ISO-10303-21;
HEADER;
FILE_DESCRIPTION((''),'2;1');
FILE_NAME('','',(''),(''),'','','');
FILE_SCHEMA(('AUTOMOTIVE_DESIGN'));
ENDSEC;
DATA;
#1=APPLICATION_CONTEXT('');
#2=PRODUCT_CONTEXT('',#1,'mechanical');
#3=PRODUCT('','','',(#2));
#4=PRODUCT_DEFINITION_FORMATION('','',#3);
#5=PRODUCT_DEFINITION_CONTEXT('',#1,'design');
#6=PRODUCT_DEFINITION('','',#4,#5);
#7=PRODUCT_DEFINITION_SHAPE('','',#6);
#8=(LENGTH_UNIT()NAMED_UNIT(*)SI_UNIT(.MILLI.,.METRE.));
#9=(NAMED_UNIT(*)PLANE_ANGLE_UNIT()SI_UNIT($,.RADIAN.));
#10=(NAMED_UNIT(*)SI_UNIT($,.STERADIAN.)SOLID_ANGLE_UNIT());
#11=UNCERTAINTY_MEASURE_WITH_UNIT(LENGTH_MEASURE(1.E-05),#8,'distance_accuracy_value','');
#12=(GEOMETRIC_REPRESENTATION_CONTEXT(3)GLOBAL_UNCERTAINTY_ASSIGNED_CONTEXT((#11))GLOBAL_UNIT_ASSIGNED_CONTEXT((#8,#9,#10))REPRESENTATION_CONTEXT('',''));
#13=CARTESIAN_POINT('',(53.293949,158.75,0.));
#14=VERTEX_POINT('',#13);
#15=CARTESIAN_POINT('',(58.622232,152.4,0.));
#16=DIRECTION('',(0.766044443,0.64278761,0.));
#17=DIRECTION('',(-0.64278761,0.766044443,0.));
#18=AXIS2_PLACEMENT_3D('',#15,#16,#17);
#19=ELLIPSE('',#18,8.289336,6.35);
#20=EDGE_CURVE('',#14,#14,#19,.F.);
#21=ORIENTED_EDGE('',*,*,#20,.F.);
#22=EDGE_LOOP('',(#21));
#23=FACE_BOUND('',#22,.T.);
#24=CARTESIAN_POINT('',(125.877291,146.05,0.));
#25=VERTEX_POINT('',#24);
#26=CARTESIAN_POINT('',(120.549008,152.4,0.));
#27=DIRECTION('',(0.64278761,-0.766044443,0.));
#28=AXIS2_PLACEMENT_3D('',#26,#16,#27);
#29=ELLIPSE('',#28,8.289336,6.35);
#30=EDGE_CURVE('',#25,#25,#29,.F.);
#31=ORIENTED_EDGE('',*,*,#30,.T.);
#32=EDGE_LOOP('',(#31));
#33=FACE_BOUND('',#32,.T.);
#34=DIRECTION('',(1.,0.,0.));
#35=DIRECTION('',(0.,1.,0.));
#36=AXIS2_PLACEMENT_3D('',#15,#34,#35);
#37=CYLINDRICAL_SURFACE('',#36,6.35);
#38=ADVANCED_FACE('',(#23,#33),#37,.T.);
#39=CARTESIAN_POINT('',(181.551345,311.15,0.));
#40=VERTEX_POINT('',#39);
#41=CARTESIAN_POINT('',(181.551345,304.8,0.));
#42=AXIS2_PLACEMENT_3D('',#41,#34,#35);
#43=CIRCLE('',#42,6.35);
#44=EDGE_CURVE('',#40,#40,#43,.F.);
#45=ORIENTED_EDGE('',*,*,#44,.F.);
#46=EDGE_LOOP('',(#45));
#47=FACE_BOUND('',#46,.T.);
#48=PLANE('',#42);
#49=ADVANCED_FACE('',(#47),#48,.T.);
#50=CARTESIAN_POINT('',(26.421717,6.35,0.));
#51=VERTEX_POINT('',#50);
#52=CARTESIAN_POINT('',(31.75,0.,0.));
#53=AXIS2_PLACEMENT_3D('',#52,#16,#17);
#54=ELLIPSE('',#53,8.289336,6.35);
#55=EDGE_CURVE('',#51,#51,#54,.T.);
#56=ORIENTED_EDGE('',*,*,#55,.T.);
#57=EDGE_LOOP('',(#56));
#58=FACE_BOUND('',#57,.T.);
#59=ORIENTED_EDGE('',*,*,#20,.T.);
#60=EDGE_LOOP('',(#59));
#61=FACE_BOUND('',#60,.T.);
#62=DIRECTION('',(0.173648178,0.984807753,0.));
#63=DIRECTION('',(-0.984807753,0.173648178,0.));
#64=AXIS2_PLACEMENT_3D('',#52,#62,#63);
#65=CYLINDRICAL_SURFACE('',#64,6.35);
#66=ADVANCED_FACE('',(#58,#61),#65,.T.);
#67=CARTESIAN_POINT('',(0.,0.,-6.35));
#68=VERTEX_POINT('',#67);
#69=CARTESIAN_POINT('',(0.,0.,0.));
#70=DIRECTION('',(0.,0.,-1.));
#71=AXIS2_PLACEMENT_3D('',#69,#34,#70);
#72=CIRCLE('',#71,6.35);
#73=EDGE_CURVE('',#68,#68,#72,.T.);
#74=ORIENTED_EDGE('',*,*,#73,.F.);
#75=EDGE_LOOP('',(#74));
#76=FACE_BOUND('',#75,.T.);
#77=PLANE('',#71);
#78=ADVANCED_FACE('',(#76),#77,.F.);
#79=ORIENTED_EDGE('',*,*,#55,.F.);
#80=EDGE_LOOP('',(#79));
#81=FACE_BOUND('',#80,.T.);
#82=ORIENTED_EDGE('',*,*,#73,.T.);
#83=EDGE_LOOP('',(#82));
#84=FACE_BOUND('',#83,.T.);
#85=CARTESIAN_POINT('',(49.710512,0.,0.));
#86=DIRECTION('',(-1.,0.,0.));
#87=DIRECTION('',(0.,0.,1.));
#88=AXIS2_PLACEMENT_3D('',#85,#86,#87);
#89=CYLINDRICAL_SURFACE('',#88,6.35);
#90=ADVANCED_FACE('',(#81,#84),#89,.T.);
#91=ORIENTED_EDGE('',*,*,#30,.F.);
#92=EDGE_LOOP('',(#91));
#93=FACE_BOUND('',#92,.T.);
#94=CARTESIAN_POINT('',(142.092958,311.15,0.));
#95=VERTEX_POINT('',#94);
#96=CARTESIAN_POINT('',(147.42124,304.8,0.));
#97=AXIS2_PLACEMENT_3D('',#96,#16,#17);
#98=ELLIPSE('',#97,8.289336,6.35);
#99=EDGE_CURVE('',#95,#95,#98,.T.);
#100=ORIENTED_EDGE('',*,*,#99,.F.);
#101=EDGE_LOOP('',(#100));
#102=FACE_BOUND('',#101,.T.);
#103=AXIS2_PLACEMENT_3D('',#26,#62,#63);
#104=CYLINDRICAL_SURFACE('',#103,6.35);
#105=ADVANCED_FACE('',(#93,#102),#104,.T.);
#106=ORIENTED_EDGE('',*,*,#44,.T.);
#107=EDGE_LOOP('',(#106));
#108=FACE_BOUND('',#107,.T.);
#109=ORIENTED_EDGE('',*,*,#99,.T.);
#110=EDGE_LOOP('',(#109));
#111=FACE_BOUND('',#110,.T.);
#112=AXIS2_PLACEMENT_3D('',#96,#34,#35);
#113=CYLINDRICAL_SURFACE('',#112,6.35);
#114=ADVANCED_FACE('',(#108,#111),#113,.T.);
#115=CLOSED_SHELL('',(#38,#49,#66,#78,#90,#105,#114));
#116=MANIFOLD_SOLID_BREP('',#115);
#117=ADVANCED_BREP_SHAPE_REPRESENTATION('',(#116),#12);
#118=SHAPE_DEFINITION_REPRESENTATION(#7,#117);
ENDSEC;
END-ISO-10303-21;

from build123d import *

# Parameters (mm, degrees)
SKETCH4_R = 6.35


with BuildPart() as part:
    # Sweep3: sweep along a path in Sketch5
    with BuildLine(Plane.XY) as sweep3_path:
        Line((0, 0), (31.75, 0))
        Line((31.75, 0), (58.62223186, 152.4))
        Line((58.62223186, 152.4), (90.37223186, 152.4))
        Line((90.37223186, 152.4), (120.549008468, 152.4))
        Line((120.549008468, 152.4), (147.421240328, 304.8))
        Line((147.421240328, 304.8), (181.551345013, 304.8))
    # Sketch4 → Sweep3 (sweep)
    with BuildSketch(Plane(origin=(0, 0, 0), x_dir=(0, 0, -1), z_dir=(1, 0, 0))):
        Circle(SKETCH4_R)
    sweep(path=sweep3_path.line, transition=Transition.RIGHT)


solid = part.part
